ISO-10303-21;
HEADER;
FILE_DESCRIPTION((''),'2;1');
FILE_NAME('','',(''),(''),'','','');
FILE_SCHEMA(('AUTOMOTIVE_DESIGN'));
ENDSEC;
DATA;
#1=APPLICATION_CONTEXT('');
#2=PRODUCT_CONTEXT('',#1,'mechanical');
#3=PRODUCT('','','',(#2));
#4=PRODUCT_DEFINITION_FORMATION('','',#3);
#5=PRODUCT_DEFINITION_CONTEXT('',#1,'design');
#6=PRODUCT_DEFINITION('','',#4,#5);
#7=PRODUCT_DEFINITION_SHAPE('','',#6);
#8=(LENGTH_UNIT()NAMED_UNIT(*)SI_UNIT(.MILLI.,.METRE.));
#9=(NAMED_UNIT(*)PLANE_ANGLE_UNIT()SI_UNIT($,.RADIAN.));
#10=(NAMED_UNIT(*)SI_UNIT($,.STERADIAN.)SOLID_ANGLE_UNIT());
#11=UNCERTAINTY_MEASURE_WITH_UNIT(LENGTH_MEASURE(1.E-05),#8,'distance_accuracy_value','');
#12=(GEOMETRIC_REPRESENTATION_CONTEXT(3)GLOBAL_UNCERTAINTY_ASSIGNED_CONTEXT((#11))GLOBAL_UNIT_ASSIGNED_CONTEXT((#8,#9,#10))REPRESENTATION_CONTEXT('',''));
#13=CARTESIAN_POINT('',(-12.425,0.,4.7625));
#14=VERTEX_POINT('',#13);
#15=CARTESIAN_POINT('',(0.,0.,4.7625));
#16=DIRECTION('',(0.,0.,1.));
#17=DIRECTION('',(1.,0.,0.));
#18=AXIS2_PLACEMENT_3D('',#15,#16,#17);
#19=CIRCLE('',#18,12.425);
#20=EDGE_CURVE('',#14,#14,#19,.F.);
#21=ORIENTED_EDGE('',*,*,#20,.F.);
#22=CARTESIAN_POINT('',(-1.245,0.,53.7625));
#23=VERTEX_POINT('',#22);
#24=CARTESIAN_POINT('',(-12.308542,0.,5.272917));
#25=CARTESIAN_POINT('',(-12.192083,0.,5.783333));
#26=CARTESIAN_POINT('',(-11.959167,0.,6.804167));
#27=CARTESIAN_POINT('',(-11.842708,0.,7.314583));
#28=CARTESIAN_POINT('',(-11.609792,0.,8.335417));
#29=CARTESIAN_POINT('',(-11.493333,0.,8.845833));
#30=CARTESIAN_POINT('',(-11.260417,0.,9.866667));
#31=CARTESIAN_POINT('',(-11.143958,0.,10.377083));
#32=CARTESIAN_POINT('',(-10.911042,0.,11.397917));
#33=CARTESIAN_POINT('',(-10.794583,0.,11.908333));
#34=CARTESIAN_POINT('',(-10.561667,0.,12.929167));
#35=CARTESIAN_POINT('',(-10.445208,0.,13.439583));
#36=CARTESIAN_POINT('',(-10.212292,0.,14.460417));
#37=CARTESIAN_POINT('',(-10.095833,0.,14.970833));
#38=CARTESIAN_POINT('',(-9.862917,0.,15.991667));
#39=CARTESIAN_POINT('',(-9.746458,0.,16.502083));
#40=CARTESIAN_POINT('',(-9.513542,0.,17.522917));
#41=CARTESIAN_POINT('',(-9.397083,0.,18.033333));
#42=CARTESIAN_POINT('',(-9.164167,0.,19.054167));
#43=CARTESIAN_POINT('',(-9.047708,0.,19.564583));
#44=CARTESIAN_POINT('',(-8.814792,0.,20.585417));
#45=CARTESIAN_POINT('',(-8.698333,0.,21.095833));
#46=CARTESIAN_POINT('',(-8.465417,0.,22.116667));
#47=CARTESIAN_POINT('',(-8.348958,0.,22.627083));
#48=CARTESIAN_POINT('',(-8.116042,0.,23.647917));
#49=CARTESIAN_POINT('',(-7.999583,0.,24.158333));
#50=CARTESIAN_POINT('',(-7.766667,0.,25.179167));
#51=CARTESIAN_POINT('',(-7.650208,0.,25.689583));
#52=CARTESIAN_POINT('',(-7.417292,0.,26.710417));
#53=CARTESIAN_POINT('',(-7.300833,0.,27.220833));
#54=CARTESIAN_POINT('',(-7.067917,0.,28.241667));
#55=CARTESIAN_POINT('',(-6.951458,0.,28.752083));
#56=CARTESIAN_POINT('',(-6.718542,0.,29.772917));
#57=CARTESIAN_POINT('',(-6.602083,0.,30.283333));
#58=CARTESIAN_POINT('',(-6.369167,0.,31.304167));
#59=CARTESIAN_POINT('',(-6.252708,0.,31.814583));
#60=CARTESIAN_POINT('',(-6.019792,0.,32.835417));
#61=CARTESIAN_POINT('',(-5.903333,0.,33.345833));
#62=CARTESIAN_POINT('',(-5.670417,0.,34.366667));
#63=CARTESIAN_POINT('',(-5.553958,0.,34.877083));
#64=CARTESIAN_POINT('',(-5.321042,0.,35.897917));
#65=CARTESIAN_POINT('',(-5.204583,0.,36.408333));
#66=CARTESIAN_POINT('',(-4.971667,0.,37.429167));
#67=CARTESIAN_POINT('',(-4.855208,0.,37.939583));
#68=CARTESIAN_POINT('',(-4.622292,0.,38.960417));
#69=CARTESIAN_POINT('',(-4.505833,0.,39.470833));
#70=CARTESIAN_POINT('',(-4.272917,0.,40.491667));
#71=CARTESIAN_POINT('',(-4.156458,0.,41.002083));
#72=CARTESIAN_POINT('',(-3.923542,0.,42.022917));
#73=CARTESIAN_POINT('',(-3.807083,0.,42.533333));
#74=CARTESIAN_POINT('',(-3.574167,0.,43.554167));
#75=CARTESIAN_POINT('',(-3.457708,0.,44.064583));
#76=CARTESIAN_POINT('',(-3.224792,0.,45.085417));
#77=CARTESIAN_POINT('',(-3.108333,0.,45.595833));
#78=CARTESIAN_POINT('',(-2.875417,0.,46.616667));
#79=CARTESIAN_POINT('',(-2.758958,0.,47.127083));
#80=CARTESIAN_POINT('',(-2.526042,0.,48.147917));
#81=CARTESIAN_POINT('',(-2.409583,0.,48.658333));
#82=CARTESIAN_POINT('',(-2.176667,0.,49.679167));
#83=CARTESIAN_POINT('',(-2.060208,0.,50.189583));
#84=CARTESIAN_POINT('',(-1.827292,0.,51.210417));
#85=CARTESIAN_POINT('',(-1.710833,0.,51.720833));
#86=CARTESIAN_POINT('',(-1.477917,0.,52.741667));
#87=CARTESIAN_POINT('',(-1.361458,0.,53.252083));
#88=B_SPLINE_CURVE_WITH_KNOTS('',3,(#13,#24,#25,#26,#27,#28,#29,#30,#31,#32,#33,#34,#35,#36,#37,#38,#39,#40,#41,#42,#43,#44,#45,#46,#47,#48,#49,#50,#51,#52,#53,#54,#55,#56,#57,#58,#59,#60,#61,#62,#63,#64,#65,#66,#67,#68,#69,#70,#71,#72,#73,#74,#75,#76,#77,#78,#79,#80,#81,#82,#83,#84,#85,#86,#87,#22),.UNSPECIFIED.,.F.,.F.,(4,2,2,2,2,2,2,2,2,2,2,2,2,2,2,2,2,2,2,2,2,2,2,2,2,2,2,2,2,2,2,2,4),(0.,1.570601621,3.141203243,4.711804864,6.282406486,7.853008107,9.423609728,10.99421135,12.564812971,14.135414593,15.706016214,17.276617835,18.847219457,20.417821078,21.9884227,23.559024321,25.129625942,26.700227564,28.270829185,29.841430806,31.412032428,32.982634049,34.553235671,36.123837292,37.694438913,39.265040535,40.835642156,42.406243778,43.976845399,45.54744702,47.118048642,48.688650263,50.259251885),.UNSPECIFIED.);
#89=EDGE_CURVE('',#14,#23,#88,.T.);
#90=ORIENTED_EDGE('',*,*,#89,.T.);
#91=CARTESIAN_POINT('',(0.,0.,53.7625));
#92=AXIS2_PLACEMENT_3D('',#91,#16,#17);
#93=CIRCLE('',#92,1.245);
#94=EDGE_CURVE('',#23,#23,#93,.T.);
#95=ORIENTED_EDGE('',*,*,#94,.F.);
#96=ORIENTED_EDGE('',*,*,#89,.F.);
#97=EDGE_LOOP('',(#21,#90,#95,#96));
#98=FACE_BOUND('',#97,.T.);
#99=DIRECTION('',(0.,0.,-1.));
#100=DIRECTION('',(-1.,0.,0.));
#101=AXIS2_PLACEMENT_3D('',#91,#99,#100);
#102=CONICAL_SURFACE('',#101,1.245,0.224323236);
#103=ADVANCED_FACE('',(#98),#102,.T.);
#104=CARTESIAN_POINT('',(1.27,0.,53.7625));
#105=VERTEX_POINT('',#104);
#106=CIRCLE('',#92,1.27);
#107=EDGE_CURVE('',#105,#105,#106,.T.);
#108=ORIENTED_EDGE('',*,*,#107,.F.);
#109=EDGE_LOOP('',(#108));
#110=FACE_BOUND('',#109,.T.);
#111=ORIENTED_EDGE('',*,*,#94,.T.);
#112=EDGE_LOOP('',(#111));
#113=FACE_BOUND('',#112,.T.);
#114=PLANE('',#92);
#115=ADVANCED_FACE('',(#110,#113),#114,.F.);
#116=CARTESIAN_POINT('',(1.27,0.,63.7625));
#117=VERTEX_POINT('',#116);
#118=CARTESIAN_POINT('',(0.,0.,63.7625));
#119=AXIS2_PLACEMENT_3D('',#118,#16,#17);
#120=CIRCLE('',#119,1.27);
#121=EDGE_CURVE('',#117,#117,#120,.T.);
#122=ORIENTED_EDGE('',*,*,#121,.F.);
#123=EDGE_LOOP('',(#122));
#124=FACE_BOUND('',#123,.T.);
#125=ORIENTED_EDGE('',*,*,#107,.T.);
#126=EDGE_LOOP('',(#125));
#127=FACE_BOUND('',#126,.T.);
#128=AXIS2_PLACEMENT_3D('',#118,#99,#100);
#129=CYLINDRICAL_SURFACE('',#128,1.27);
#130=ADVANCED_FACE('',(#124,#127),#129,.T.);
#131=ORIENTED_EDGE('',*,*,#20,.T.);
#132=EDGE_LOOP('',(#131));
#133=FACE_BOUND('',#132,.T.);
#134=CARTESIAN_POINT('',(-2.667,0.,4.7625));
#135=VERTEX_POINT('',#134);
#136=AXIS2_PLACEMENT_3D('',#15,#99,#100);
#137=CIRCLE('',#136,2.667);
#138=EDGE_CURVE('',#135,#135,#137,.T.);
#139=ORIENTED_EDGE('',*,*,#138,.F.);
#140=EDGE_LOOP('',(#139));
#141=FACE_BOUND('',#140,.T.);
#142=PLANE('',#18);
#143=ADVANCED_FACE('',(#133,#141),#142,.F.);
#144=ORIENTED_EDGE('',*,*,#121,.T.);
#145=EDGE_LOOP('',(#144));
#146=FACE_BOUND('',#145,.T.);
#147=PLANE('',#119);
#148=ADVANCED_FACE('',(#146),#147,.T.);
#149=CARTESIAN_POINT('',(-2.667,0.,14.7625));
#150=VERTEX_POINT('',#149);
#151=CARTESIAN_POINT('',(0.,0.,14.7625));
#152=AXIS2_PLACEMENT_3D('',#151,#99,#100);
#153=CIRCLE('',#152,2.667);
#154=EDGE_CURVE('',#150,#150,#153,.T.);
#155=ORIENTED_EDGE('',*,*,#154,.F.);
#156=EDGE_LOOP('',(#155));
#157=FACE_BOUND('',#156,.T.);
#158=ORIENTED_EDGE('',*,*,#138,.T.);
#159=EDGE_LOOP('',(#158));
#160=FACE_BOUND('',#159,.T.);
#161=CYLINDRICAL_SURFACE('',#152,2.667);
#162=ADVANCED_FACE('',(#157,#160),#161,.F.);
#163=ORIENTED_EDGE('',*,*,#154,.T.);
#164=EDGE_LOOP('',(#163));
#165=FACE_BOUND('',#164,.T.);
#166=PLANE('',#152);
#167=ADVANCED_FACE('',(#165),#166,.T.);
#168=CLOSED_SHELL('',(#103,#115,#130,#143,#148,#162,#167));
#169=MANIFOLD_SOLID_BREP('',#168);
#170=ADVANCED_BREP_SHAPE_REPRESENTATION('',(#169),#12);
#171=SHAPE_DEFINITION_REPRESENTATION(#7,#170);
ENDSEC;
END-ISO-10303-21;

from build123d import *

# Parameters (mm, degrees)
SKETCH1_W           = 71.12
SKETCH1_H           = 71.12
BOSS_EXTRUDE1_DEPTH = 4.7625
SKETCH2_R           = 3.4925
CUT_EXTRUDE1_DEPTH  = 51.514439582
SKETCH3_R           = 12.425
BOSS_EXTRUDE2_DEPTH = 49
SKETCH5_R           = 1.27
BOSS_EXTRUDE3_DEPTH = 10
FILLET1_R           = 2.5
SKETCH6_W           = 86.163151286
SKETCH6_H           = 93.634187614
CUT_EXTRUDE2_DEPTH  = 4.7625
SKETCH7_R           = 2.667
CUT_EXTRUDE3_DEPTH  = 10


with BuildPart() as part:
    # Sketch1 → Boss-Extrude1 (new body)
    with BuildSketch(Plane.XY):
        Rectangle(SKETCH1_W, SKETCH1_H)
    extrude(amount=BOSS_EXTRUDE1_DEPTH)

    # Sketch2 → Cut-Extrude1 (cut, through all)
    with BuildSketch(Plane.XY.offset(4.7625)):
        with Locations((-30.48, 30.48)):
            Circle(SKETCH2_R)
        with Locations((30.48, 30.48)):
            Circle(SKETCH2_R)
    cut_extrude1 = extrude(amount=-CUT_EXTRUDE1_DEPTH, mode=Mode.SUBTRACT)

    # Mirror1: Cut-Extrude1 across plane
    add(cut_extrude1.mirror(Plane.ZX), mode=Mode.SUBTRACT)

    # Sketch3 → Boss-Extrude2 (add)
    with BuildSketch(Plane.XY.offset(4.7625)):
        Circle(SKETCH3_R)
    extrude(amount=BOSS_EXTRUDE2_DEPTH)

    # Sketch4 → Cut-Revolve1 (revolve, cut)
    with BuildSketch(Plane(origin=(0, 0, 0), x_dir=(0, 0, -1), z_dir=(1, 0, 0)), mode=Mode.PRIVATE) as cut_revolve1_sk:
        Polygon((-4.7625, 12.425), (-53.7625, 1.245), (-53.7625, 12.425), align=None)
    revolve(cut_revolve1_sk.sketch.rotate(Axis((0, 0, 53.7625), (0, 0, -1)), 270), axis=Axis((0, 0, 53.7625), (0, 0, -1)), mode=Mode.SUBTRACT)

    # Sketch5 → Boss-Extrude3 (add)
    with BuildSketch(Plane.XY.offset(53.7625)):
        Circle(SKETCH5_R)
    extrude(amount=BOSS_EXTRUDE3_DEPTH)

    # Fillet1
    fillet1_edges = [part.edges().sort_by_distance(p)[0] for p in [
        (-35.56, 35.56, 2.38125),
        (35.56, 35.56, 2.38125),
        (35.56, -35.56, 2.38125),
        (-35.56, -35.56, 2.38125),
    ]]
    fillet(fillet1_edges, radius=FILLET1_R)

    # Sketch6 → Cut-Extrude2 (cut)
    with BuildSketch(Plane(origin=(0, 0, 0), x_dir=(-1, 0, 0), z_dir=(0, 0, -1))):
        Rectangle(SKETCH6_W, SKETCH6_H)
    extrude(amount=-CUT_EXTRUDE2_DEPTH, mode=Mode.SUBTRACT)

    # Sketch7 → Cut-Extrude3 (cut)
    with BuildSketch(Plane(origin=(0, 0, 4.7625), x_dir=(-1, 0, 0), z_dir=(0, 0, -1))):
        Circle(SKETCH7_R)
    extrude(amount=-CUT_EXTRUDE3_DEPTH, mode=Mode.SUBTRACT)


solid = part.part
